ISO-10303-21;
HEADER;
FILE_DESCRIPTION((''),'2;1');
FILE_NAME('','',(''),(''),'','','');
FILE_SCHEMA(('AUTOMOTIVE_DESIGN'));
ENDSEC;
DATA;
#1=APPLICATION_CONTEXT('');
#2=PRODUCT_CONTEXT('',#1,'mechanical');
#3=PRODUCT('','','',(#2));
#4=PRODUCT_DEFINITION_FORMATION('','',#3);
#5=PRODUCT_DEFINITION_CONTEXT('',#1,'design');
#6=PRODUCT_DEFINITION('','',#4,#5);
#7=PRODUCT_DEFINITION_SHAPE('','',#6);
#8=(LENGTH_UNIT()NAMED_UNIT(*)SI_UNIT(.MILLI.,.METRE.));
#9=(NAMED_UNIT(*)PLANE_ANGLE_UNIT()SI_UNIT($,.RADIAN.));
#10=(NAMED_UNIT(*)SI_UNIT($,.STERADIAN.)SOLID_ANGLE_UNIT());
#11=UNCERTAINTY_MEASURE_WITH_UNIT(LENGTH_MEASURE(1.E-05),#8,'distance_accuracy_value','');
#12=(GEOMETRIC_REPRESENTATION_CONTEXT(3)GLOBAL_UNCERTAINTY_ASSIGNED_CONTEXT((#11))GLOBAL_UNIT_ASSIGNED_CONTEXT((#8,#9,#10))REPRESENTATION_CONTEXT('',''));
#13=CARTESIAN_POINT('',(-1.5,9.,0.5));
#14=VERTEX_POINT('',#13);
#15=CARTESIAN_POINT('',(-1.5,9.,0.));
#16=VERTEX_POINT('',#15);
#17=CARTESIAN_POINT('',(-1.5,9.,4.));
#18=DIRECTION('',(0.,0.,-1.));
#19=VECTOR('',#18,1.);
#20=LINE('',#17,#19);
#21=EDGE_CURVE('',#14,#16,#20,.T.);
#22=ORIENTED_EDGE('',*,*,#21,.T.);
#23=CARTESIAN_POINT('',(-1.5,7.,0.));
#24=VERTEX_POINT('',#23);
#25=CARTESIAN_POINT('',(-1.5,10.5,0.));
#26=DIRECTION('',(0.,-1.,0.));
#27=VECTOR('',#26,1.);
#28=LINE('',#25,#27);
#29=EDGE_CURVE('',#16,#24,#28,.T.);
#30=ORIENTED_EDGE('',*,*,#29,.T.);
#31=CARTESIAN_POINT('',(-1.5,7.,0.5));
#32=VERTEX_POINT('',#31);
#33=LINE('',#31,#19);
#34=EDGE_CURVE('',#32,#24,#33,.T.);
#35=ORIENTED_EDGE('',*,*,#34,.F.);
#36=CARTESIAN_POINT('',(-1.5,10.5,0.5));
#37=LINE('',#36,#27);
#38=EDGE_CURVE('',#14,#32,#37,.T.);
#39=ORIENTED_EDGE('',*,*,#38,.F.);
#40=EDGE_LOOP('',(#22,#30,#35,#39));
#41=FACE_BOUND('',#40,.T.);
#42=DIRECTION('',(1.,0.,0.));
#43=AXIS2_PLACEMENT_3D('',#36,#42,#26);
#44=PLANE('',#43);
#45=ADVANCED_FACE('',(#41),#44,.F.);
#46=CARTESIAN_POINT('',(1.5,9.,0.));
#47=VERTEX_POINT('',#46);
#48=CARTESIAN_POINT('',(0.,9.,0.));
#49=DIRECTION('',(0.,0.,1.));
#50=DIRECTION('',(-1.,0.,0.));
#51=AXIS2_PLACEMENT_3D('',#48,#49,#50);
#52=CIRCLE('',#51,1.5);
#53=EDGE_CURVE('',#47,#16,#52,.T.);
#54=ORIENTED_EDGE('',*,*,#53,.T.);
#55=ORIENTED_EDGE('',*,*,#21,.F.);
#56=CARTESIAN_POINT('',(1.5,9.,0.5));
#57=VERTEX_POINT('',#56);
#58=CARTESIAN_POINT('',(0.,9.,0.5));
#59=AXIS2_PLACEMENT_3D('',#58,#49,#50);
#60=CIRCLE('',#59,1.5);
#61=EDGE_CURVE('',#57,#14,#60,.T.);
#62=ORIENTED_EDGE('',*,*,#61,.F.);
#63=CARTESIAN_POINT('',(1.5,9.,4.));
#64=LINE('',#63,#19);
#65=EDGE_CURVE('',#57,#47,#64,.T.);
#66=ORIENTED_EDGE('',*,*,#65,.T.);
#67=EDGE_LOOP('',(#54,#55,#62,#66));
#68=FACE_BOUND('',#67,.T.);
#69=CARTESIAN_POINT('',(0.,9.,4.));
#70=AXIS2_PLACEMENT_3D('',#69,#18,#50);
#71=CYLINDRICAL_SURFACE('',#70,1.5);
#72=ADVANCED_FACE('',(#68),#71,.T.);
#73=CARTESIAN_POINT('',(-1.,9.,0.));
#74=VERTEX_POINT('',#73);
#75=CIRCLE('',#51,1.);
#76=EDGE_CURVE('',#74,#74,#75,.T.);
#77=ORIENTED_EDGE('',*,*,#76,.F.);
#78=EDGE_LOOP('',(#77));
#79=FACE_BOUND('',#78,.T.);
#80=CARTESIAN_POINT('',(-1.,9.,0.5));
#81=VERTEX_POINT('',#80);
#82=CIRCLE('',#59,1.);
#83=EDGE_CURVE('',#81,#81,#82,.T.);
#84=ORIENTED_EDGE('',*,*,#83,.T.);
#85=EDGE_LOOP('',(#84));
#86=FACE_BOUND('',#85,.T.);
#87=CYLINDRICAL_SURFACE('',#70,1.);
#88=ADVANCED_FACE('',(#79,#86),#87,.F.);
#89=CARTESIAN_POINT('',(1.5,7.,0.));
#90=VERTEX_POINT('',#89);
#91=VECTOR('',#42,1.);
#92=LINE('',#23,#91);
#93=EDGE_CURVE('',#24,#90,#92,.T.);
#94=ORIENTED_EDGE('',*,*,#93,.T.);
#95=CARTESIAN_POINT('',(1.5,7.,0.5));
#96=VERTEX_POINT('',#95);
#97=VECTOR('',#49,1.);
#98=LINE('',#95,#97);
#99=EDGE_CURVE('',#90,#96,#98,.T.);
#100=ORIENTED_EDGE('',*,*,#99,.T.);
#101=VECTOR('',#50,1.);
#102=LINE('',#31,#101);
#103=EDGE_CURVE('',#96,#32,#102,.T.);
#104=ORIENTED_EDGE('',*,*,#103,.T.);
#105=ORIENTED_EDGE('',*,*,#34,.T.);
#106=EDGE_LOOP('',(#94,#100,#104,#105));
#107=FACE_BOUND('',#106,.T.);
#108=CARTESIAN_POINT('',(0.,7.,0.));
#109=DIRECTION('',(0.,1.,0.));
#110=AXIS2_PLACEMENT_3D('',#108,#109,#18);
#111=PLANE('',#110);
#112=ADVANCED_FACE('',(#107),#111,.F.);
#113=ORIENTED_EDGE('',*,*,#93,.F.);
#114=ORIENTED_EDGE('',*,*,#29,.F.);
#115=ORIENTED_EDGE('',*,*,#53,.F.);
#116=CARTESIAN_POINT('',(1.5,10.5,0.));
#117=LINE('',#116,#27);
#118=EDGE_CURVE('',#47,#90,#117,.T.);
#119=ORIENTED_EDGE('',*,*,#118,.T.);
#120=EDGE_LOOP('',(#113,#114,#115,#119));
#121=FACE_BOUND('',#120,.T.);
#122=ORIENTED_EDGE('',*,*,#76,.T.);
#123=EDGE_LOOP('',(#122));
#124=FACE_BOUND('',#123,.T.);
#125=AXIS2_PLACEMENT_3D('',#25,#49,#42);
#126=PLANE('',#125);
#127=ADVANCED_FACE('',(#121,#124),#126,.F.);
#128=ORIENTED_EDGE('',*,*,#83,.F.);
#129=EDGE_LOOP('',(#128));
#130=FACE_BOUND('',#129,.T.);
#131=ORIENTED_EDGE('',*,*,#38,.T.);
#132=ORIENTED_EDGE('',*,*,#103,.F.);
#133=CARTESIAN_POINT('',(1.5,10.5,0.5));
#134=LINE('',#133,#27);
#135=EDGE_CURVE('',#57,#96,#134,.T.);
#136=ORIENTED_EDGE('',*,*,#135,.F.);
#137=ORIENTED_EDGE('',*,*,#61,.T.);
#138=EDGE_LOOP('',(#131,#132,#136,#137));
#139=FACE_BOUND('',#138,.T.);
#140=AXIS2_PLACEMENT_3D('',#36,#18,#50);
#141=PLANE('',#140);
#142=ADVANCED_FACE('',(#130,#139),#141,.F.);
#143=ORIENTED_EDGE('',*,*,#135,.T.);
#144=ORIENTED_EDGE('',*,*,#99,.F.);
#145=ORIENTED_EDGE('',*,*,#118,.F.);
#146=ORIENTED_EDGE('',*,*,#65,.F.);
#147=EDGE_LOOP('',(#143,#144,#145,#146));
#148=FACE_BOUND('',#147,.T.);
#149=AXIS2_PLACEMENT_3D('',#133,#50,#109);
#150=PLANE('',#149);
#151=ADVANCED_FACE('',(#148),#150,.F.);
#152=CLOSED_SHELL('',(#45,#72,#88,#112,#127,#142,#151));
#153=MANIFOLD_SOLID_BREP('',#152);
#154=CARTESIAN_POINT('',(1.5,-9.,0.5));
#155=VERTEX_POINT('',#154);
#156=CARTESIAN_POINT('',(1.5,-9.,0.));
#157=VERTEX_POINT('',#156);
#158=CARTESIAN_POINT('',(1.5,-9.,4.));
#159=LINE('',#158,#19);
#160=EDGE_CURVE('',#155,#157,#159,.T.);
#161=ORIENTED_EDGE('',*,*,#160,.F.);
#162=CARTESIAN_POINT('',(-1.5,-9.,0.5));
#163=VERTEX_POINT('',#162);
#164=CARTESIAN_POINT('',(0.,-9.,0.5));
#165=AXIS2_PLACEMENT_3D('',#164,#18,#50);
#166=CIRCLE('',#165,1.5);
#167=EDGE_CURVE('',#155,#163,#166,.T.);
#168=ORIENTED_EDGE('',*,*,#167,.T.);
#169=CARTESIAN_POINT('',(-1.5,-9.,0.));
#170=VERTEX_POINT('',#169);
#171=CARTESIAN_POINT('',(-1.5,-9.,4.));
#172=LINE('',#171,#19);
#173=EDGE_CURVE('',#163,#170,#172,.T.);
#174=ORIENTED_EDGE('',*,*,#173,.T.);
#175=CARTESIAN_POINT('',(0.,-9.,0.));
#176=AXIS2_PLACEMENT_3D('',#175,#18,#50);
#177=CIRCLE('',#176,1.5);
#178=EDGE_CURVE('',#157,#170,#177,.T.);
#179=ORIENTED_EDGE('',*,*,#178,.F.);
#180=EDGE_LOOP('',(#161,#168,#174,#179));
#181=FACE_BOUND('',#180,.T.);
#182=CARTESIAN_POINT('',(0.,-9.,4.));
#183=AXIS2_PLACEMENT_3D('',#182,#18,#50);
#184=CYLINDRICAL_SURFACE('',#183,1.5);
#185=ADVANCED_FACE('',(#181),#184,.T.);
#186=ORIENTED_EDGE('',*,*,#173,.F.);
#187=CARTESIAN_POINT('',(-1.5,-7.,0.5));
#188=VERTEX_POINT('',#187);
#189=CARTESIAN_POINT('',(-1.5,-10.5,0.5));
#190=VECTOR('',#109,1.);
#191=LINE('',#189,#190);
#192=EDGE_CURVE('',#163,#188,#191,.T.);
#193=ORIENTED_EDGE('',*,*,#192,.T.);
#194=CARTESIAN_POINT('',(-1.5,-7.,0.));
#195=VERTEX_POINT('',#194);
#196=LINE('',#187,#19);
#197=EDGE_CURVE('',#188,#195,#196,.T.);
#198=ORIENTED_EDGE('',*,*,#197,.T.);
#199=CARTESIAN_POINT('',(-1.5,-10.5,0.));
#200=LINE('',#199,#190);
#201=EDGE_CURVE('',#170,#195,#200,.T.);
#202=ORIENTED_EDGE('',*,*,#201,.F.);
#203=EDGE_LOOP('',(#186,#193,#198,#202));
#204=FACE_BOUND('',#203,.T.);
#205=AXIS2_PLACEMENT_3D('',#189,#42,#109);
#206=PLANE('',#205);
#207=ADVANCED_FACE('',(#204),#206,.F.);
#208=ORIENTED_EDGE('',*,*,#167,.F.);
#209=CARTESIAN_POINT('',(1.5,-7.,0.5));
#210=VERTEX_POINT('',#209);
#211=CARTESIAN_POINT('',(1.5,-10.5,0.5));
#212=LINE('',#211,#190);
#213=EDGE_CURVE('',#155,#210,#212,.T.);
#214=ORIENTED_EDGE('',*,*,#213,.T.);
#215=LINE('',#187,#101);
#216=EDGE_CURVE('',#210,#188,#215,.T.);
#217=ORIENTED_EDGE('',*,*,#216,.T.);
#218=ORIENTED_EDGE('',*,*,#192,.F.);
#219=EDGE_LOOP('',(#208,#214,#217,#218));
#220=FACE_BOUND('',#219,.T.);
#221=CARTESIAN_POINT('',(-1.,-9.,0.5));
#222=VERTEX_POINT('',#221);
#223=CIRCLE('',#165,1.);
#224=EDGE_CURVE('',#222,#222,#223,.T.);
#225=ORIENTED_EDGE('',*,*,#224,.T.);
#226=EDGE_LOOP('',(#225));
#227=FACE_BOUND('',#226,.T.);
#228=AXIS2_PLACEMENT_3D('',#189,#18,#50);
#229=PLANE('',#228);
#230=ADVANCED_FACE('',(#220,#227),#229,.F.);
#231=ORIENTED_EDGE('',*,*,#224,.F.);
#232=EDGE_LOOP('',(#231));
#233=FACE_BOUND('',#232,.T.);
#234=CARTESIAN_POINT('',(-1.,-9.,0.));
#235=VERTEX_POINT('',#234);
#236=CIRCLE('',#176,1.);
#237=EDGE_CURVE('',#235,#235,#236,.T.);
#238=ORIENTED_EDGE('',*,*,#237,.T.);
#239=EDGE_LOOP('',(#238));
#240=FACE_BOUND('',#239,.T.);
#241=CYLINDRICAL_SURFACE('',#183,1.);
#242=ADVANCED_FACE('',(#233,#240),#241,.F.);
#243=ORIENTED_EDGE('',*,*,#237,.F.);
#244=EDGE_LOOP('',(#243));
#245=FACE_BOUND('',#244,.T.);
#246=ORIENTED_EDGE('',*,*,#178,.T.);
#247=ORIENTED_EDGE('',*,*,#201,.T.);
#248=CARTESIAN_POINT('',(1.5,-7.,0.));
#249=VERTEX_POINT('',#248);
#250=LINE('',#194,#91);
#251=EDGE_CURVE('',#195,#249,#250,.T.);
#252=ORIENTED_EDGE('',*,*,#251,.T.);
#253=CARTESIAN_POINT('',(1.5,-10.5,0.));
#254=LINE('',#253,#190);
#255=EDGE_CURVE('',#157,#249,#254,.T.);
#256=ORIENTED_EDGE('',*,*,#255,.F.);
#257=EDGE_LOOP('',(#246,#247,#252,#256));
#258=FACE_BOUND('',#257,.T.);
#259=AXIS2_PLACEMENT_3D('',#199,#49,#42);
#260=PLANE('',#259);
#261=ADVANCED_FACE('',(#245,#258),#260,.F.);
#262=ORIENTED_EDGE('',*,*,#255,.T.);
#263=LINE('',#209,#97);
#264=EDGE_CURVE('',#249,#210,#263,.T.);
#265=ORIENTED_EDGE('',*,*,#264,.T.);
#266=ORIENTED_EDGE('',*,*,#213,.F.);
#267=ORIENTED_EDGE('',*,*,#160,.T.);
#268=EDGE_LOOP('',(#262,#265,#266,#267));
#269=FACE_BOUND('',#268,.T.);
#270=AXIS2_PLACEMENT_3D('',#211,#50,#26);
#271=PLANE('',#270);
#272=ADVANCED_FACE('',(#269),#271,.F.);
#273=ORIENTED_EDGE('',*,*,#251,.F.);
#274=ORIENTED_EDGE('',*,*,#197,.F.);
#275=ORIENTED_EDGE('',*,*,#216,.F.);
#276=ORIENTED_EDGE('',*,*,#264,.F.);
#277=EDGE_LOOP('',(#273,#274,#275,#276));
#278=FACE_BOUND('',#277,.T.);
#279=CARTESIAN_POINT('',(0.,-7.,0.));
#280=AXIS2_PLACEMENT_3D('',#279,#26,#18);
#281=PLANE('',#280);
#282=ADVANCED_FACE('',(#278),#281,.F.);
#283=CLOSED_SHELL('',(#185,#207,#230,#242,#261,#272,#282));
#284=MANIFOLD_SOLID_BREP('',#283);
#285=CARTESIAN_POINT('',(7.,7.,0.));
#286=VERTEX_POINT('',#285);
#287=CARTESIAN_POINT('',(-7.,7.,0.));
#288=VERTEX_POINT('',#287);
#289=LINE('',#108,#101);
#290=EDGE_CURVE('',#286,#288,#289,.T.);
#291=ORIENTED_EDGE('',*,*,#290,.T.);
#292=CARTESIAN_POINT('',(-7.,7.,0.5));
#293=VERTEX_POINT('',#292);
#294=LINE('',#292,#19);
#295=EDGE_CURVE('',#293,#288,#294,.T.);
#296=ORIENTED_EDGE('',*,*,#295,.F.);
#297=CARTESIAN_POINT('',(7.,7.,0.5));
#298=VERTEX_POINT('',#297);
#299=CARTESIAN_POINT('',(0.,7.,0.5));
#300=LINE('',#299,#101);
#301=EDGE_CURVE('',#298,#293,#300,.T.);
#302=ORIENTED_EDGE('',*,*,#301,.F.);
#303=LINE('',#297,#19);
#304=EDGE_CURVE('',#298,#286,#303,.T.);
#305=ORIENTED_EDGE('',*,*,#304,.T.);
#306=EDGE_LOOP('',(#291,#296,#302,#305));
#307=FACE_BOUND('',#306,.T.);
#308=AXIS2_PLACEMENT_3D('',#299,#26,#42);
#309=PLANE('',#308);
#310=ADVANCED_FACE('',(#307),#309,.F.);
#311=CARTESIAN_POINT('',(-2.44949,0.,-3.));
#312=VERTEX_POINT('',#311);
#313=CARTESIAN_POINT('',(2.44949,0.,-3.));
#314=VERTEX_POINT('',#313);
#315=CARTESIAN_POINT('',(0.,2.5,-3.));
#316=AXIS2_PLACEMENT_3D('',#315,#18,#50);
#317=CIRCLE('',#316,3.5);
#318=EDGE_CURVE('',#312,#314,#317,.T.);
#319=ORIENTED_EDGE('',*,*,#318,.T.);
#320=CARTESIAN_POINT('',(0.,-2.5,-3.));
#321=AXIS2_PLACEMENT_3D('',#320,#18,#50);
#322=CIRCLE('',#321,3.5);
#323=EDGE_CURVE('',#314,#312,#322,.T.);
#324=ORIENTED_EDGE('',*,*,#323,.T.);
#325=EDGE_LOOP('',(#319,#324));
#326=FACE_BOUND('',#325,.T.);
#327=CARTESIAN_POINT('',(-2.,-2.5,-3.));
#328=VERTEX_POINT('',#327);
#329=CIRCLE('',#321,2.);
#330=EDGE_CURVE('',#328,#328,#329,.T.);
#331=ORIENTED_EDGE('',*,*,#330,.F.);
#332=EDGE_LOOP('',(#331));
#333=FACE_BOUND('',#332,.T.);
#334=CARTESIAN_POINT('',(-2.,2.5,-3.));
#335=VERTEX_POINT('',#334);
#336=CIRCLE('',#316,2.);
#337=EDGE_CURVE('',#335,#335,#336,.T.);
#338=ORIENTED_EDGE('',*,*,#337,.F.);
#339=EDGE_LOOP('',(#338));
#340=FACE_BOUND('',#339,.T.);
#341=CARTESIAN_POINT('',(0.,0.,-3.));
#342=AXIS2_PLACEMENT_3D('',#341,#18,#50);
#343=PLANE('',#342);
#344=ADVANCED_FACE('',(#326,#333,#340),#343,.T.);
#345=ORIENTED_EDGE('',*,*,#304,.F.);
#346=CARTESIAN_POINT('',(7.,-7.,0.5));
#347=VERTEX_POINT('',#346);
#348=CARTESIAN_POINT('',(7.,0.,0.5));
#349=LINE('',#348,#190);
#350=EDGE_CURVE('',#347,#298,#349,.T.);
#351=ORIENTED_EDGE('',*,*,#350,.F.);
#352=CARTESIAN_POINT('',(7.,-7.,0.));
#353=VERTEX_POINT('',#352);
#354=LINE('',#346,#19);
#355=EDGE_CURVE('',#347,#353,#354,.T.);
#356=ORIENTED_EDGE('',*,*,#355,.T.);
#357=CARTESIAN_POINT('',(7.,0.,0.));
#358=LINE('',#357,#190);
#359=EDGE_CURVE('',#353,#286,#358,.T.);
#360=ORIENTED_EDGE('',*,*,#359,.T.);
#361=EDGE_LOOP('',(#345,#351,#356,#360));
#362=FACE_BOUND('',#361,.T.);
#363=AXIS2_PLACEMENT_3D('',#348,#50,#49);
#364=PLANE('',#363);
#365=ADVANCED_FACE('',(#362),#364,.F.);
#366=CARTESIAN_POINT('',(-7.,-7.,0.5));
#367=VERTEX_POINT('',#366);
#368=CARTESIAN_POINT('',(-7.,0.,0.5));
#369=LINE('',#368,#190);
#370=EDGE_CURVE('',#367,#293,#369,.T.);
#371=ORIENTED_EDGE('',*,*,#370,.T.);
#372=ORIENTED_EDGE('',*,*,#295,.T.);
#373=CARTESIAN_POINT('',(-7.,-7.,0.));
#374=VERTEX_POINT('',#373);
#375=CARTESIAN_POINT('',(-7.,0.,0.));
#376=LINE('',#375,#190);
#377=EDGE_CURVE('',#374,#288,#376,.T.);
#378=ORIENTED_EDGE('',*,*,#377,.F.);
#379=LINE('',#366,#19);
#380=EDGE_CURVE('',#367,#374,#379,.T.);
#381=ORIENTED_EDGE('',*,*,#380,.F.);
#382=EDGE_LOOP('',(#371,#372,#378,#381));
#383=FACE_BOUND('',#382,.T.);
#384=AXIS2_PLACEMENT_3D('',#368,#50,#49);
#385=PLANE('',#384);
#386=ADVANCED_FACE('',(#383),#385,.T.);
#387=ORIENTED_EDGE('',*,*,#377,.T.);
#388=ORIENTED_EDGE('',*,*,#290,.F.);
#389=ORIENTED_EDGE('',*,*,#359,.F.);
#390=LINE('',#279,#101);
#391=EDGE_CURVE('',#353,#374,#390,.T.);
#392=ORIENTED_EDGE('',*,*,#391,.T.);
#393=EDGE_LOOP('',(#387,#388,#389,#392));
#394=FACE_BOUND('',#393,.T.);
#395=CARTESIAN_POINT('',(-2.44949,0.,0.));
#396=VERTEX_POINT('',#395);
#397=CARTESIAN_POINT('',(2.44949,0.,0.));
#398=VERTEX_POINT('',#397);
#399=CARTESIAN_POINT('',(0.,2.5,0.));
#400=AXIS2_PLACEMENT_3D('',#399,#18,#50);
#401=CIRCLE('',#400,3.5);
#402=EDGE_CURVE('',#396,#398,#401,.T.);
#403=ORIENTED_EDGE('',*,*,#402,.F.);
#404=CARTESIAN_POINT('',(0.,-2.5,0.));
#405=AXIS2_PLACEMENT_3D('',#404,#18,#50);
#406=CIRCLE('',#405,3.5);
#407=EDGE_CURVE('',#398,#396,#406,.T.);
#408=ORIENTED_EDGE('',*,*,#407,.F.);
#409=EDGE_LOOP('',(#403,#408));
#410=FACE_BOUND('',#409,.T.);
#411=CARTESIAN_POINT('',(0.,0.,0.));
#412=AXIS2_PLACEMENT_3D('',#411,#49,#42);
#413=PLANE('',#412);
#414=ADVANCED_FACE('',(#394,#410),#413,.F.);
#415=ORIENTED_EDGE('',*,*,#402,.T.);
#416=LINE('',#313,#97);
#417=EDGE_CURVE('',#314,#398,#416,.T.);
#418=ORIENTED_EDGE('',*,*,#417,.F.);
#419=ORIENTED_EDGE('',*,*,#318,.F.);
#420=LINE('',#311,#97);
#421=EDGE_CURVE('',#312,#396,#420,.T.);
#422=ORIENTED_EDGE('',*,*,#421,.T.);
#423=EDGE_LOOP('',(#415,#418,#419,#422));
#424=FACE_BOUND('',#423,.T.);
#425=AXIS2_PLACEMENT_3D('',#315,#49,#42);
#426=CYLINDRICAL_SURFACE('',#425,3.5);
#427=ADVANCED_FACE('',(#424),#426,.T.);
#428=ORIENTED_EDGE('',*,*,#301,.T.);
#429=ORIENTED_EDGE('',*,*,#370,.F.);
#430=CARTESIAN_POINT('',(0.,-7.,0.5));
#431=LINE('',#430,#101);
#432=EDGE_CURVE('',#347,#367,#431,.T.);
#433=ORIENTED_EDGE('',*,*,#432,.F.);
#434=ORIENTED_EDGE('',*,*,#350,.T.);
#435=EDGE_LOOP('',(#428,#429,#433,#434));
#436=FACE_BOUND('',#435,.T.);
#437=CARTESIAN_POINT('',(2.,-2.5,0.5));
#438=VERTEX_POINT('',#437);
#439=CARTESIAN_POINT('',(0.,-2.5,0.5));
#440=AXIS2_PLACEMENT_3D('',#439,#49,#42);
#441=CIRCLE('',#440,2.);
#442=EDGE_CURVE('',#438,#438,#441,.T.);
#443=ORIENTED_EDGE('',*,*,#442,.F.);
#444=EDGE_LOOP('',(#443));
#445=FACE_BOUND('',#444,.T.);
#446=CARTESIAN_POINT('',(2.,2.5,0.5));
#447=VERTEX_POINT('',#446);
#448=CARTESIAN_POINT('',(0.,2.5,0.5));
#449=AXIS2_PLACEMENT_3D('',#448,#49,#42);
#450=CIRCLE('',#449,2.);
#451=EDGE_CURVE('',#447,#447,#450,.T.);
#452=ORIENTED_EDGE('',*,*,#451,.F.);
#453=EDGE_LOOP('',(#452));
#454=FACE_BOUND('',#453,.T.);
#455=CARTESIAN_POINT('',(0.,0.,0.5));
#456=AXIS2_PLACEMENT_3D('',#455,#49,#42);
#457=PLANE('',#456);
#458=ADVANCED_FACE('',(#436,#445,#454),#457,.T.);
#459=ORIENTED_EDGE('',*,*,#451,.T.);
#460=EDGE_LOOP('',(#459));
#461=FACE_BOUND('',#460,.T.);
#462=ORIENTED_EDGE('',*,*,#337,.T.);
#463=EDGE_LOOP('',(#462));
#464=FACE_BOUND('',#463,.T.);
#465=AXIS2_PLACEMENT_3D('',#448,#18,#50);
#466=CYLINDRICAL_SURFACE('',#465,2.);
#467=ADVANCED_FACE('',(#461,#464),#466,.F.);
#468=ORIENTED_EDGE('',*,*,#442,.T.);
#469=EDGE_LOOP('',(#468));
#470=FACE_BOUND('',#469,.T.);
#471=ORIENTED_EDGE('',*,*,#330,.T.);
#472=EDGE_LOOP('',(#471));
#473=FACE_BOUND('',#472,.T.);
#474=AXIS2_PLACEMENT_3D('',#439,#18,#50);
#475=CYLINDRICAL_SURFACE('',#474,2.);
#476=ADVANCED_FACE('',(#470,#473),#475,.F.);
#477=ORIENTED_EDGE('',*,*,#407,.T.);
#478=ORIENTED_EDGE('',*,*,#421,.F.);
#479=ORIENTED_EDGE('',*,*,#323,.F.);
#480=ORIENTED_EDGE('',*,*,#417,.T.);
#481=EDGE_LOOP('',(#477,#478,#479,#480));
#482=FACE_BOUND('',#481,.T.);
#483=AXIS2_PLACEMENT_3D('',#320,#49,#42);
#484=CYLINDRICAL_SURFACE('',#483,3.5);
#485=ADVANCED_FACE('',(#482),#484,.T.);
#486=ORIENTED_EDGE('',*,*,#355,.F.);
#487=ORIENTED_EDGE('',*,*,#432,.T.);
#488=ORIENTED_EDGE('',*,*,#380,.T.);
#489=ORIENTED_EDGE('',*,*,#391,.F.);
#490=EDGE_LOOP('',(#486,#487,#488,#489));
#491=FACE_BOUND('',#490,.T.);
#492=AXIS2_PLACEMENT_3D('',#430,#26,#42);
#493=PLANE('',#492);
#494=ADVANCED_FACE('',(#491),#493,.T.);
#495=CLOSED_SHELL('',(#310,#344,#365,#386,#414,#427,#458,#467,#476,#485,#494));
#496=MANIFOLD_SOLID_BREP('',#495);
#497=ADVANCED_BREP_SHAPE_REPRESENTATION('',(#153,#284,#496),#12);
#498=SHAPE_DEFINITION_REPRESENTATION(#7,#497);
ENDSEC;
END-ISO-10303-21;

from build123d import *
from build123d.topology import SkipClean

# Parameters (mm, degrees)
SKETCH_2_W          = 14
SKETCH_2_H          = 14
SKETCH_2_R          = 2
EXTRUDE_1_DEPTH     = 0.5
SKETCH_3_W          = 3
SKETCH_3_H          = 0.5
EXTRUDE_2_DEPTH     = 3.5
CUT_EXTRUDE_1_DEPTH = 4
SKETCH_5_R          = 1
CUT_EXTRUDE_2_DEPTH = 4
EXTRUDE_START       = 3
SKETCH_8_R          = 2
EXTRUDE_4_DEPTH     = 3


with BuildPart() as part:
    # 草图2 → 凸台-拉伸1 (new body)
    with BuildSketch(Plane.XY):
        Rectangle(SKETCH_2_W, SKETCH_2_H)
        with Locations((0, -2.5)):
            Circle(SKETCH_2_R, mode=Mode.SUBTRACT)
        with Locations((0, 2.5)):
            Circle(SKETCH_2_R, mode=Mode.SUBTRACT)
    extrude(amount=EXTRUDE_1_DEPTH)

    # 草图8 → 凸台-拉伸4 (add)
    with SkipClean():  # the faces are left unmerged after this step: merging them gives an invalid solid
        with BuildSketch(Plane(origin=(0, 0, 0), x_dir=(-1, 0, 0), z_dir=(0, 0, -1)).offset(EXTRUDE_START)):
            with BuildLine():
                ThreePointArc((2.449489743, 0), (0, 6), (-2.449489743, 0))
                ThreePointArc((-2.449489743, 0), (0, -6), (2.449489743, 0))
            make_face()
            with Locations((0, -2.5)):
                Circle(SKETCH_8_R, mode=Mode.SUBTRACT)
            with Locations((0, 2.5)):
                Circle(SKETCH_8_R, mode=Mode.SUBTRACT)
        extrude(amount=-EXTRUDE_4_DEPTH)


with BuildPart() as body_2:
    # 草图3 → 凸台-拉伸2 (new body)
    with BuildSketch(Plane.XZ.offset(7)):
        with Locations((0, 0.25)):
            Rectangle(SKETCH_3_W, SKETCH_3_H)
    extrude(amount=EXTRUDE_2_DEPTH)

    # 草图4 → 切除-拉伸1 (cut)
    with BuildSketch(Plane(origin=(0, 0, 0), x_dir=(-1, 0, 0), z_dir=(0, 0, -1))):
        with BuildLine():
            Line((1.5, -10.5), (1.5, -9))
            ThreePointArc((1.5, -9), (1.060660172, -10.060660172), (0, -10.5))
            Line((0, -10.5), (1.5, -10.5))
        make_face()
        with BuildLine():
            ThreePointArc((0, -10.5), (-1.060660172, -10.060660172), (-1.5, -9))
            Line((-1.5, -9), (-1.5, -10.5))
            Line((-1.5, -10.5), (0, -10.5))
        make_face()
    extrude(amount=-CUT_EXTRUDE_1_DEPTH, mode=Mode.SUBTRACT)

    # 草图5 → 切除-拉伸2 (cut)
    with BuildSketch(Plane(origin=(0, 0, 0), x_dir=(-1, 0, 0), z_dir=(0, 0, -1))):
        with Locations((0, -9)):
            Circle(SKETCH_5_R)
    extrude(amount=-CUT_EXTRUDE_2_DEPTH, mode=Mode.SUBTRACT)


with BuildPart() as body_3:
    # 镜向7: mirrored copy
    add(body_2.part.mirror(Plane.ZX))


solid = Compound([part.part, body_2.part, body_3.part])
